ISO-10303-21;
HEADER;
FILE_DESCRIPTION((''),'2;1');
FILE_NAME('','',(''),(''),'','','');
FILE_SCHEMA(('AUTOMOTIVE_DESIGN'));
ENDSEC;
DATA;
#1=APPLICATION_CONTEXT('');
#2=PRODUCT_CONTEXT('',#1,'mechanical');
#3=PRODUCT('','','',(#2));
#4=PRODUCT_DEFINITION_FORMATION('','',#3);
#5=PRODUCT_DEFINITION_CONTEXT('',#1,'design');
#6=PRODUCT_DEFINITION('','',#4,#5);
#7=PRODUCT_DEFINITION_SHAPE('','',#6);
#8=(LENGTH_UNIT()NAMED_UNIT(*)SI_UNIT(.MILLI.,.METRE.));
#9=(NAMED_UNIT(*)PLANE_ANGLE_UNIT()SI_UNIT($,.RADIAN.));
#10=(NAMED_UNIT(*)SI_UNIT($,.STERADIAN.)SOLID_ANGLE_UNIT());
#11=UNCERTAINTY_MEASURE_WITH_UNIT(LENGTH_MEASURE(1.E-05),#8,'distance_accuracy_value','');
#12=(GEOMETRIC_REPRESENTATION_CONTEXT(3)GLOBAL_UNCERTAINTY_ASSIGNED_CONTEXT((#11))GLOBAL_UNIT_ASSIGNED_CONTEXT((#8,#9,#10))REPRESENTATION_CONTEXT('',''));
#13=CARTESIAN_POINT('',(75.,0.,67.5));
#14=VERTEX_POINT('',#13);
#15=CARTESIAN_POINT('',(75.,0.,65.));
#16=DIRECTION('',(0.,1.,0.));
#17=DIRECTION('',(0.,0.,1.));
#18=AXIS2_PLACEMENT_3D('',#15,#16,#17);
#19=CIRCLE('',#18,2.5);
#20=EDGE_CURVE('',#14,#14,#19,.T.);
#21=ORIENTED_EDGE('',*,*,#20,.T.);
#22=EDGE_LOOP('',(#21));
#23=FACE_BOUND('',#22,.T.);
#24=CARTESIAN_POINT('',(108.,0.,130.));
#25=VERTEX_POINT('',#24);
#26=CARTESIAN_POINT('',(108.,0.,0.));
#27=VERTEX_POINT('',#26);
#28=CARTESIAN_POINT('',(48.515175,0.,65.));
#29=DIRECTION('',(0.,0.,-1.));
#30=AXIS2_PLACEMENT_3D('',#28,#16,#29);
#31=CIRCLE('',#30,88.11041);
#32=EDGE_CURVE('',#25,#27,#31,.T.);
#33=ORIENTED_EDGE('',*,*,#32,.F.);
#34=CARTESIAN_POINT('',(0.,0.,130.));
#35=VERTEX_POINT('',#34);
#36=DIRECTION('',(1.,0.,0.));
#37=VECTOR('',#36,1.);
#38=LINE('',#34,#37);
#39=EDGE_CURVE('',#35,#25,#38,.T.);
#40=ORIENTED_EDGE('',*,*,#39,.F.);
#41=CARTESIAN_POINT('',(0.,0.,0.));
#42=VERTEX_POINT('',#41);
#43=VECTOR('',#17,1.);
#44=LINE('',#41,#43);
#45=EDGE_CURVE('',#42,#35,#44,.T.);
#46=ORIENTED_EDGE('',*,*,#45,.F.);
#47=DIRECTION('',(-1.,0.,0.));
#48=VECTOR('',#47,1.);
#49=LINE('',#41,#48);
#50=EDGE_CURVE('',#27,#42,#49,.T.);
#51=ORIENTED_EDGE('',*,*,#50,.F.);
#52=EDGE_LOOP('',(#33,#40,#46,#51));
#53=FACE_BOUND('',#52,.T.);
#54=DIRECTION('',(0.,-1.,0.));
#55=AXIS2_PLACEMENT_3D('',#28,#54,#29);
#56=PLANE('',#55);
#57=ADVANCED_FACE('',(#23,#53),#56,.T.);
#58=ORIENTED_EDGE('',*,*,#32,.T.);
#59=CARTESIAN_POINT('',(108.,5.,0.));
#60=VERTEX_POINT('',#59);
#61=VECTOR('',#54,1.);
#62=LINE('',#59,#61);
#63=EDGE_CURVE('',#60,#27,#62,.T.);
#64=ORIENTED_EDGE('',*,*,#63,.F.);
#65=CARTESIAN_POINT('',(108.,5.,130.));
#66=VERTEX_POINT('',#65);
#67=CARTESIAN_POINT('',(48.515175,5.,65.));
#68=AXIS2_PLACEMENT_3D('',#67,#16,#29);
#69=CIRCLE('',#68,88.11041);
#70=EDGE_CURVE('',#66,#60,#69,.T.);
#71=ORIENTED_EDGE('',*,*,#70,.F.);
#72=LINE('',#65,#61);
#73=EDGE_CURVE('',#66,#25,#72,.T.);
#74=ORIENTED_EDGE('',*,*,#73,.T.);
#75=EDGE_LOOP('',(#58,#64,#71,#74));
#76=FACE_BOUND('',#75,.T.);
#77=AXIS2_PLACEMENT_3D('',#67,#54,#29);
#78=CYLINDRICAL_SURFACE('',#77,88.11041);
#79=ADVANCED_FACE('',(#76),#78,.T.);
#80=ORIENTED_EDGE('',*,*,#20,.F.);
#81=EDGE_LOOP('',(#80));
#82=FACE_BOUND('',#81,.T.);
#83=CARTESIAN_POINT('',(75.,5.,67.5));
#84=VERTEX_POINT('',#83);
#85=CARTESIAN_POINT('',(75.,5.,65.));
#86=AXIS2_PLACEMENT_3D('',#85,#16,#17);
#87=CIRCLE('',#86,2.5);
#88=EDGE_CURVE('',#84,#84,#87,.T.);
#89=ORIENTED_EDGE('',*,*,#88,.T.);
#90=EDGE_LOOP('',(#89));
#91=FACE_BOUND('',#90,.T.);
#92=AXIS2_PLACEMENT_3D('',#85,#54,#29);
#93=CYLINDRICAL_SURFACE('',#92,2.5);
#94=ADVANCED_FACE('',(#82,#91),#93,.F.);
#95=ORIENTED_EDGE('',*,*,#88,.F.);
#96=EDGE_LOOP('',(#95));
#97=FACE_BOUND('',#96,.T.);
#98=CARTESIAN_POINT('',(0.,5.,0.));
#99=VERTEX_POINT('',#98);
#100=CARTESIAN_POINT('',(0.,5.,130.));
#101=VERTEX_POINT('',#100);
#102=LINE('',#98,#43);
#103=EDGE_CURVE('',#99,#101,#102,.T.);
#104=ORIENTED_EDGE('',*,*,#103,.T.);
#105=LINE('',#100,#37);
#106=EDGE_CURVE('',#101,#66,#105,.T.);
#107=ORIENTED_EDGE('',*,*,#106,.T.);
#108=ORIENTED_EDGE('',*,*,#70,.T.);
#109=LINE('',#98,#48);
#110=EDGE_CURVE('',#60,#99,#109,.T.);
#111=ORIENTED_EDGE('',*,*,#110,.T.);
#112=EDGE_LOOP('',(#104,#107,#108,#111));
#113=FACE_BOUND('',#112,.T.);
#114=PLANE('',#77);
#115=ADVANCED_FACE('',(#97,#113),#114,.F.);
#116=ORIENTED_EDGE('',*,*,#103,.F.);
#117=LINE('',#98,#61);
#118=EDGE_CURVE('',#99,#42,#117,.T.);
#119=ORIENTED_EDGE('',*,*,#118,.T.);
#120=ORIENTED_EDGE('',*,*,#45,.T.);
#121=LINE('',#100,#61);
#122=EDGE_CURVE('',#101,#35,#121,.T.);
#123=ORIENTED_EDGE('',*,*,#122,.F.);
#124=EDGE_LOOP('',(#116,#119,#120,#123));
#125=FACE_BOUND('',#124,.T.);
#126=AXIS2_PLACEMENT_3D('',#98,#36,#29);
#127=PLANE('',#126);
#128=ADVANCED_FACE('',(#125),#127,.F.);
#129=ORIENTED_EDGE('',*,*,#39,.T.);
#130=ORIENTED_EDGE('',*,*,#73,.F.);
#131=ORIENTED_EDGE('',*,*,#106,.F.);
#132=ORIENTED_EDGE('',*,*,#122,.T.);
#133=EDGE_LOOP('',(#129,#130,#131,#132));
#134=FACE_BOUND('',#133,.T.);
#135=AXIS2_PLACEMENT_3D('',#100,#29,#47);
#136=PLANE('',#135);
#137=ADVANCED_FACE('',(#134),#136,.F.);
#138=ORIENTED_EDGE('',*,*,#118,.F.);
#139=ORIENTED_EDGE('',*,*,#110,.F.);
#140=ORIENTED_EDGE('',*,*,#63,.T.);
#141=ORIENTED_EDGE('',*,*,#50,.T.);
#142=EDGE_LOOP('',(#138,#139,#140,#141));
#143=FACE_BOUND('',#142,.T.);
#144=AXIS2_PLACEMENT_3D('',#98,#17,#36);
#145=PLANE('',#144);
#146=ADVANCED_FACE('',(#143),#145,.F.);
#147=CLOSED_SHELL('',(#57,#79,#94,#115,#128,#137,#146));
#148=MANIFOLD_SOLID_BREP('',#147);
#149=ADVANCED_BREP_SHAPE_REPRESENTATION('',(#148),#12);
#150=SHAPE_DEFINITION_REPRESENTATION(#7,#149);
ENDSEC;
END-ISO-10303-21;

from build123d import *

# Parameters (mm, degrees)
SKETCH1_R           = 2.5
BOSS_EXTRUDE1_DEPTH = 5


with BuildPart() as part:
    # Sketch1 → Boss-Extrude1 (new body)
    with BuildSketch(Plane(origin=(0, 0, 0), x_dir=(1, 0, 0), z_dir=(0, 1, 0))):
        with BuildLine():
            Line((0, 0), (108, 0))
            ThreePointArc((108, 0), (136.62558544, -65), (108, -130))
            Line((108, -130), (0, -130))
            Line((0, -130), (0, 0))
        make_face()
        with Locations(Location((75, -65, 0), (0, 0, 270))):
            Circle(SKETCH1_R, mode=Mode.SUBTRACT)
    extrude(amount=BOSS_EXTRUDE1_DEPTH)


solid = part.part
